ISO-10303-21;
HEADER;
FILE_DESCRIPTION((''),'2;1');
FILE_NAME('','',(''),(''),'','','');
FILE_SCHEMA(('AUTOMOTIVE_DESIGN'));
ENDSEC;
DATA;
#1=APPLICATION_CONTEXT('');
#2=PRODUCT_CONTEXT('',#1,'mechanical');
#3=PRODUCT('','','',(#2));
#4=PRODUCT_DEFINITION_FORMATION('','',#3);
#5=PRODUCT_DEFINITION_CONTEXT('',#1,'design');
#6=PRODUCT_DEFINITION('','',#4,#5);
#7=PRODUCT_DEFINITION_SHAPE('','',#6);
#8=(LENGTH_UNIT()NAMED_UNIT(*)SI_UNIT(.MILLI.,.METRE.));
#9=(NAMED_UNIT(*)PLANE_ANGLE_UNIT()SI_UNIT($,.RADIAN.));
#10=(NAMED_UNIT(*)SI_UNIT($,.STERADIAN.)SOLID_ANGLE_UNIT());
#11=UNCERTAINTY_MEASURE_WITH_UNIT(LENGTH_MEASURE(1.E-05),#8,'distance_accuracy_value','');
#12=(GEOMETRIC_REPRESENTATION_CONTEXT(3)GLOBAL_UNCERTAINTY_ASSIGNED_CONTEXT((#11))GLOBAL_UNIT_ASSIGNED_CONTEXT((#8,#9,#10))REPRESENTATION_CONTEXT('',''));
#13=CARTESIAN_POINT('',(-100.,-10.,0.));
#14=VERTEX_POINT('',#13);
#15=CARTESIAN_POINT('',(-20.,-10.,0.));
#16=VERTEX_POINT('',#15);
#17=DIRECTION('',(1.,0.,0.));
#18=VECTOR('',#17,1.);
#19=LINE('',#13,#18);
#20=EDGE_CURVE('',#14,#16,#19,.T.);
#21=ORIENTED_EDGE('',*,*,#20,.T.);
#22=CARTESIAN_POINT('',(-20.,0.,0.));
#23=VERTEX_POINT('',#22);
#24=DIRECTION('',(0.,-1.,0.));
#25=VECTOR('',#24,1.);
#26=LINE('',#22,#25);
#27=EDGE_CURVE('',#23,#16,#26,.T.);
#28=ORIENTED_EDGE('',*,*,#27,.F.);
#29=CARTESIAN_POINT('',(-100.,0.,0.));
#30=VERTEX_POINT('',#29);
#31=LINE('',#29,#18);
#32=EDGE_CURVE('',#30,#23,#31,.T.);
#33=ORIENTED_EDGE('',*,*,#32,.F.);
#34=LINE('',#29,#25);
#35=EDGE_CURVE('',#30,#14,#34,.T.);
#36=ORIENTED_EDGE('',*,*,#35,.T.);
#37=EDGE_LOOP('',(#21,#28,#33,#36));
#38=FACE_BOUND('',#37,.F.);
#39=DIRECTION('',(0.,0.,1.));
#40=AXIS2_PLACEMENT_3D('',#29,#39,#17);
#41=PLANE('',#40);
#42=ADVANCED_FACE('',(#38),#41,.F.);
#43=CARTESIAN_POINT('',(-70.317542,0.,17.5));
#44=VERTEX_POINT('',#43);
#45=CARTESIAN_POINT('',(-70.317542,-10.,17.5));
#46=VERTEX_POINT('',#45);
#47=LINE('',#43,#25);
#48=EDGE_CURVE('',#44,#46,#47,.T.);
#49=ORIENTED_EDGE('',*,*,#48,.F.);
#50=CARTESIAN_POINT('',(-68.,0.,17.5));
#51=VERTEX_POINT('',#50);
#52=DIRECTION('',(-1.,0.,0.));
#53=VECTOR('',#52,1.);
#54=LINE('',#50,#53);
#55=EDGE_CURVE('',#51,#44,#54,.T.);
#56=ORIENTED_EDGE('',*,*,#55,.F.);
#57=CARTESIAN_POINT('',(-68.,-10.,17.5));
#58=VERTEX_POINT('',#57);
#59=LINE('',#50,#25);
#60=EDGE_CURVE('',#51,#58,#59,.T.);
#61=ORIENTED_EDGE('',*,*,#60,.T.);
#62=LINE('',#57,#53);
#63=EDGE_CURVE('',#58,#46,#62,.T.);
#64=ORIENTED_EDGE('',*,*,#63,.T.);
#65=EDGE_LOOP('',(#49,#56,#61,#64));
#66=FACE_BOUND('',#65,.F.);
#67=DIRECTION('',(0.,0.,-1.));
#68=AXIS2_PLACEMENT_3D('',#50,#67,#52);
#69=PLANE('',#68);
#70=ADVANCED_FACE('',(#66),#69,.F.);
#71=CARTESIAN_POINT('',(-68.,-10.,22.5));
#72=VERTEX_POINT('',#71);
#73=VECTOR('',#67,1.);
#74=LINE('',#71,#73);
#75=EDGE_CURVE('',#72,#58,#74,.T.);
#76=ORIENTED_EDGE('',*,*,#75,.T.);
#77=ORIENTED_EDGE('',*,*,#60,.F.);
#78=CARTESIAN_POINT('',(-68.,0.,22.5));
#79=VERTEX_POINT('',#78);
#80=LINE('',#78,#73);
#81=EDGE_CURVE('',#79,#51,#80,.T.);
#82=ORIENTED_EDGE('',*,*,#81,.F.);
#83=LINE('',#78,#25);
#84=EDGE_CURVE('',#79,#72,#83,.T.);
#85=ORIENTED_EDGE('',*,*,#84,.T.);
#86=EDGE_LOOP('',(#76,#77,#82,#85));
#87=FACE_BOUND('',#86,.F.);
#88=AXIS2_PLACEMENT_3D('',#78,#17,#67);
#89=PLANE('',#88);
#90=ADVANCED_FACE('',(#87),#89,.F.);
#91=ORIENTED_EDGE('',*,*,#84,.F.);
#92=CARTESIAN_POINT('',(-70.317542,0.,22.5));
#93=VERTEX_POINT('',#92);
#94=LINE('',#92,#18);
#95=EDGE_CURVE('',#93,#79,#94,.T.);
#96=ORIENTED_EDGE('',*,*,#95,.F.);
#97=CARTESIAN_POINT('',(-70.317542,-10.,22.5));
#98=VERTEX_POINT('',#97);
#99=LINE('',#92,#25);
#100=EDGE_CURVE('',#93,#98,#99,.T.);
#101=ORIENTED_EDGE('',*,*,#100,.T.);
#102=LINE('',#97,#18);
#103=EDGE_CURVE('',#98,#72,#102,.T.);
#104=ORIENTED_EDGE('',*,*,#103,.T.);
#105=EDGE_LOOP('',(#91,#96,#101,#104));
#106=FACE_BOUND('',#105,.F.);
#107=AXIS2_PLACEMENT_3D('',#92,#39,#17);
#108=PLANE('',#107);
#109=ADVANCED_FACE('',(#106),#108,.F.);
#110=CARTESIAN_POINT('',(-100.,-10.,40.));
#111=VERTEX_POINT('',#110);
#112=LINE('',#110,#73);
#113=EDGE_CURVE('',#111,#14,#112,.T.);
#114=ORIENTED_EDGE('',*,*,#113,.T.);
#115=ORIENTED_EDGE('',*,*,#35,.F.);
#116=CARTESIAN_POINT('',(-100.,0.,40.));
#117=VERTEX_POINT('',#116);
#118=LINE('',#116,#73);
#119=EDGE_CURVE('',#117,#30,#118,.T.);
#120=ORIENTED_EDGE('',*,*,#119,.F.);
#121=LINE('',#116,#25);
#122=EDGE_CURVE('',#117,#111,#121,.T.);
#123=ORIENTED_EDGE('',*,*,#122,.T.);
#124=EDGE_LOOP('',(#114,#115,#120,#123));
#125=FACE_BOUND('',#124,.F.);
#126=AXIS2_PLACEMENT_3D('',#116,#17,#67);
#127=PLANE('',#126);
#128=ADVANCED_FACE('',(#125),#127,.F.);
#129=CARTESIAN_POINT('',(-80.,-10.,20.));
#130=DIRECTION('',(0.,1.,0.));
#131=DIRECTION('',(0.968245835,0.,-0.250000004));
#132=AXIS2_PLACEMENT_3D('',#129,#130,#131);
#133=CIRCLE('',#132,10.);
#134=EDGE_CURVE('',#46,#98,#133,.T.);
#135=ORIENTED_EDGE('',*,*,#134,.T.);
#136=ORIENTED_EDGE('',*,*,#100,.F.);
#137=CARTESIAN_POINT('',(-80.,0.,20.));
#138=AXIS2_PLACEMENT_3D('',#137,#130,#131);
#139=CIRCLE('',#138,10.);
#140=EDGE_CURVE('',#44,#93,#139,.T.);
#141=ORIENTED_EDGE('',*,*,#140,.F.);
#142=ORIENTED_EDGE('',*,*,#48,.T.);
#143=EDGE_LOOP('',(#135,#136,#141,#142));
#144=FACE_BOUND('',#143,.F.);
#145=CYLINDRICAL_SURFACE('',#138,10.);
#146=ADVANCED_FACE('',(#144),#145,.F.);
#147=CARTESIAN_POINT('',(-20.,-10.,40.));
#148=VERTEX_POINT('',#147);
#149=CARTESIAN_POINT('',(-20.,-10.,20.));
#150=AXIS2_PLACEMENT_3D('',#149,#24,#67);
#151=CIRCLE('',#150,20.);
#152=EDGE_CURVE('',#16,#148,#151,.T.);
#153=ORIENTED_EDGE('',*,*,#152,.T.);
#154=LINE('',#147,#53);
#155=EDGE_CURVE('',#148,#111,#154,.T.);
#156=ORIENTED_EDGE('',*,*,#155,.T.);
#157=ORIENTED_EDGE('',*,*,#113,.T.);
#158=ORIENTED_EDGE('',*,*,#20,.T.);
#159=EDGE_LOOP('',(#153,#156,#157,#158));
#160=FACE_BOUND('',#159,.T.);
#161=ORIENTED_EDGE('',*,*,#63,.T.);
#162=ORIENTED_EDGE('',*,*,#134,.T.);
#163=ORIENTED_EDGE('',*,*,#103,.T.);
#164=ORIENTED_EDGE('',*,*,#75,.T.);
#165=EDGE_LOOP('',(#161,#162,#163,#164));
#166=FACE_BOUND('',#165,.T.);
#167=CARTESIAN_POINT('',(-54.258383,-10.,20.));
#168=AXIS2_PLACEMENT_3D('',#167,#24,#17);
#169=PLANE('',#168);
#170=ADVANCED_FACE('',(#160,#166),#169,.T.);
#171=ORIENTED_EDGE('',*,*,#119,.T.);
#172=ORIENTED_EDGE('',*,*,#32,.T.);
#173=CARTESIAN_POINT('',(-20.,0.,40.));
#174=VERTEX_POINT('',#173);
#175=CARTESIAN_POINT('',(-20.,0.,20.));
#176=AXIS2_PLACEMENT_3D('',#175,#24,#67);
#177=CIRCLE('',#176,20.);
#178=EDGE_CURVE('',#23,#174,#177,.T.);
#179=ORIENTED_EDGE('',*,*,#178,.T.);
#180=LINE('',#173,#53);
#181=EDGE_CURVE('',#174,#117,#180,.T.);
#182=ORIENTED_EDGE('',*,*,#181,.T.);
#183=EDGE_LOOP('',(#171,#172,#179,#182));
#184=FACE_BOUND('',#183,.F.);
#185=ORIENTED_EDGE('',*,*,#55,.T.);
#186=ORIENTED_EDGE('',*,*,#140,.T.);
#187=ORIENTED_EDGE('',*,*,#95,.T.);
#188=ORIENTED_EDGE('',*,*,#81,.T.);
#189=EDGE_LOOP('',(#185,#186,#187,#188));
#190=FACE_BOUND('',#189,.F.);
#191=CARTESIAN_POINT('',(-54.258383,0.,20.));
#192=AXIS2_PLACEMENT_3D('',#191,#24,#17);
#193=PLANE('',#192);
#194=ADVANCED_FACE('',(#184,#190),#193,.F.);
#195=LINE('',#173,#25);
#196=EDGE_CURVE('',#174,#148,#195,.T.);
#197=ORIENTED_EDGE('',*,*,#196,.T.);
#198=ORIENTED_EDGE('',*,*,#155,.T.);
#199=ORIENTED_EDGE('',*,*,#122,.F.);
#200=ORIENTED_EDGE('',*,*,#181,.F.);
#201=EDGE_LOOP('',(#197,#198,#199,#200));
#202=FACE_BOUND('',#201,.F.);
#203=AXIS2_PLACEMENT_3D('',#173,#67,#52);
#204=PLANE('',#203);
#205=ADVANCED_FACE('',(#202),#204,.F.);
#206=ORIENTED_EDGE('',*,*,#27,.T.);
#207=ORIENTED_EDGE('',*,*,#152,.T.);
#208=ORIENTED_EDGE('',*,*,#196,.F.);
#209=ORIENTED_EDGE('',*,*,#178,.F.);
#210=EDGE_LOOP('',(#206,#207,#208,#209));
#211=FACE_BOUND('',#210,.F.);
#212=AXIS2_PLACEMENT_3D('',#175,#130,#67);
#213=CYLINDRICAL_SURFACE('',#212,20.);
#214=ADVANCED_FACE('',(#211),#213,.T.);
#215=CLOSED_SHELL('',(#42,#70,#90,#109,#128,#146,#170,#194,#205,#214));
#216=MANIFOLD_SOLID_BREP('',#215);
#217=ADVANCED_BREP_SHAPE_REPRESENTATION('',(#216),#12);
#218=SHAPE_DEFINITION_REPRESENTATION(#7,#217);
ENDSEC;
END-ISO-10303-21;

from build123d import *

# Parameters (mm, degrees)
F1_DEPTH = 10


with BuildPart() as f1:
    # F0 (on Front) → F1 (new body)
    with BuildSketch(Plane.XZ):
        with BuildLine():
            Line((-100, 0), (-20, 0))
            ThreePointArc((-20, 0), (0, 20), (-20, 40))
            Line((-20, 40), (-100, 40))
            Line((-100, 40), (-100, 0))
        make_face()
        with BuildLine():
            ThreePointArc((-70.317542, 17.5), (-90, 20), (-70.317542, 22.5))
            Line((-70.317542, 22.5), (-68, 22.5))
            Line((-68, 22.5), (-68, 20))
            Line((-68, 20), (-68, 17.5))
            Line((-68, 17.5), (-70.317542, 17.5))
        make_face(mode=Mode.SUBTRACT)
    extrude(amount=F1_DEPTH)


solid = f1.part
